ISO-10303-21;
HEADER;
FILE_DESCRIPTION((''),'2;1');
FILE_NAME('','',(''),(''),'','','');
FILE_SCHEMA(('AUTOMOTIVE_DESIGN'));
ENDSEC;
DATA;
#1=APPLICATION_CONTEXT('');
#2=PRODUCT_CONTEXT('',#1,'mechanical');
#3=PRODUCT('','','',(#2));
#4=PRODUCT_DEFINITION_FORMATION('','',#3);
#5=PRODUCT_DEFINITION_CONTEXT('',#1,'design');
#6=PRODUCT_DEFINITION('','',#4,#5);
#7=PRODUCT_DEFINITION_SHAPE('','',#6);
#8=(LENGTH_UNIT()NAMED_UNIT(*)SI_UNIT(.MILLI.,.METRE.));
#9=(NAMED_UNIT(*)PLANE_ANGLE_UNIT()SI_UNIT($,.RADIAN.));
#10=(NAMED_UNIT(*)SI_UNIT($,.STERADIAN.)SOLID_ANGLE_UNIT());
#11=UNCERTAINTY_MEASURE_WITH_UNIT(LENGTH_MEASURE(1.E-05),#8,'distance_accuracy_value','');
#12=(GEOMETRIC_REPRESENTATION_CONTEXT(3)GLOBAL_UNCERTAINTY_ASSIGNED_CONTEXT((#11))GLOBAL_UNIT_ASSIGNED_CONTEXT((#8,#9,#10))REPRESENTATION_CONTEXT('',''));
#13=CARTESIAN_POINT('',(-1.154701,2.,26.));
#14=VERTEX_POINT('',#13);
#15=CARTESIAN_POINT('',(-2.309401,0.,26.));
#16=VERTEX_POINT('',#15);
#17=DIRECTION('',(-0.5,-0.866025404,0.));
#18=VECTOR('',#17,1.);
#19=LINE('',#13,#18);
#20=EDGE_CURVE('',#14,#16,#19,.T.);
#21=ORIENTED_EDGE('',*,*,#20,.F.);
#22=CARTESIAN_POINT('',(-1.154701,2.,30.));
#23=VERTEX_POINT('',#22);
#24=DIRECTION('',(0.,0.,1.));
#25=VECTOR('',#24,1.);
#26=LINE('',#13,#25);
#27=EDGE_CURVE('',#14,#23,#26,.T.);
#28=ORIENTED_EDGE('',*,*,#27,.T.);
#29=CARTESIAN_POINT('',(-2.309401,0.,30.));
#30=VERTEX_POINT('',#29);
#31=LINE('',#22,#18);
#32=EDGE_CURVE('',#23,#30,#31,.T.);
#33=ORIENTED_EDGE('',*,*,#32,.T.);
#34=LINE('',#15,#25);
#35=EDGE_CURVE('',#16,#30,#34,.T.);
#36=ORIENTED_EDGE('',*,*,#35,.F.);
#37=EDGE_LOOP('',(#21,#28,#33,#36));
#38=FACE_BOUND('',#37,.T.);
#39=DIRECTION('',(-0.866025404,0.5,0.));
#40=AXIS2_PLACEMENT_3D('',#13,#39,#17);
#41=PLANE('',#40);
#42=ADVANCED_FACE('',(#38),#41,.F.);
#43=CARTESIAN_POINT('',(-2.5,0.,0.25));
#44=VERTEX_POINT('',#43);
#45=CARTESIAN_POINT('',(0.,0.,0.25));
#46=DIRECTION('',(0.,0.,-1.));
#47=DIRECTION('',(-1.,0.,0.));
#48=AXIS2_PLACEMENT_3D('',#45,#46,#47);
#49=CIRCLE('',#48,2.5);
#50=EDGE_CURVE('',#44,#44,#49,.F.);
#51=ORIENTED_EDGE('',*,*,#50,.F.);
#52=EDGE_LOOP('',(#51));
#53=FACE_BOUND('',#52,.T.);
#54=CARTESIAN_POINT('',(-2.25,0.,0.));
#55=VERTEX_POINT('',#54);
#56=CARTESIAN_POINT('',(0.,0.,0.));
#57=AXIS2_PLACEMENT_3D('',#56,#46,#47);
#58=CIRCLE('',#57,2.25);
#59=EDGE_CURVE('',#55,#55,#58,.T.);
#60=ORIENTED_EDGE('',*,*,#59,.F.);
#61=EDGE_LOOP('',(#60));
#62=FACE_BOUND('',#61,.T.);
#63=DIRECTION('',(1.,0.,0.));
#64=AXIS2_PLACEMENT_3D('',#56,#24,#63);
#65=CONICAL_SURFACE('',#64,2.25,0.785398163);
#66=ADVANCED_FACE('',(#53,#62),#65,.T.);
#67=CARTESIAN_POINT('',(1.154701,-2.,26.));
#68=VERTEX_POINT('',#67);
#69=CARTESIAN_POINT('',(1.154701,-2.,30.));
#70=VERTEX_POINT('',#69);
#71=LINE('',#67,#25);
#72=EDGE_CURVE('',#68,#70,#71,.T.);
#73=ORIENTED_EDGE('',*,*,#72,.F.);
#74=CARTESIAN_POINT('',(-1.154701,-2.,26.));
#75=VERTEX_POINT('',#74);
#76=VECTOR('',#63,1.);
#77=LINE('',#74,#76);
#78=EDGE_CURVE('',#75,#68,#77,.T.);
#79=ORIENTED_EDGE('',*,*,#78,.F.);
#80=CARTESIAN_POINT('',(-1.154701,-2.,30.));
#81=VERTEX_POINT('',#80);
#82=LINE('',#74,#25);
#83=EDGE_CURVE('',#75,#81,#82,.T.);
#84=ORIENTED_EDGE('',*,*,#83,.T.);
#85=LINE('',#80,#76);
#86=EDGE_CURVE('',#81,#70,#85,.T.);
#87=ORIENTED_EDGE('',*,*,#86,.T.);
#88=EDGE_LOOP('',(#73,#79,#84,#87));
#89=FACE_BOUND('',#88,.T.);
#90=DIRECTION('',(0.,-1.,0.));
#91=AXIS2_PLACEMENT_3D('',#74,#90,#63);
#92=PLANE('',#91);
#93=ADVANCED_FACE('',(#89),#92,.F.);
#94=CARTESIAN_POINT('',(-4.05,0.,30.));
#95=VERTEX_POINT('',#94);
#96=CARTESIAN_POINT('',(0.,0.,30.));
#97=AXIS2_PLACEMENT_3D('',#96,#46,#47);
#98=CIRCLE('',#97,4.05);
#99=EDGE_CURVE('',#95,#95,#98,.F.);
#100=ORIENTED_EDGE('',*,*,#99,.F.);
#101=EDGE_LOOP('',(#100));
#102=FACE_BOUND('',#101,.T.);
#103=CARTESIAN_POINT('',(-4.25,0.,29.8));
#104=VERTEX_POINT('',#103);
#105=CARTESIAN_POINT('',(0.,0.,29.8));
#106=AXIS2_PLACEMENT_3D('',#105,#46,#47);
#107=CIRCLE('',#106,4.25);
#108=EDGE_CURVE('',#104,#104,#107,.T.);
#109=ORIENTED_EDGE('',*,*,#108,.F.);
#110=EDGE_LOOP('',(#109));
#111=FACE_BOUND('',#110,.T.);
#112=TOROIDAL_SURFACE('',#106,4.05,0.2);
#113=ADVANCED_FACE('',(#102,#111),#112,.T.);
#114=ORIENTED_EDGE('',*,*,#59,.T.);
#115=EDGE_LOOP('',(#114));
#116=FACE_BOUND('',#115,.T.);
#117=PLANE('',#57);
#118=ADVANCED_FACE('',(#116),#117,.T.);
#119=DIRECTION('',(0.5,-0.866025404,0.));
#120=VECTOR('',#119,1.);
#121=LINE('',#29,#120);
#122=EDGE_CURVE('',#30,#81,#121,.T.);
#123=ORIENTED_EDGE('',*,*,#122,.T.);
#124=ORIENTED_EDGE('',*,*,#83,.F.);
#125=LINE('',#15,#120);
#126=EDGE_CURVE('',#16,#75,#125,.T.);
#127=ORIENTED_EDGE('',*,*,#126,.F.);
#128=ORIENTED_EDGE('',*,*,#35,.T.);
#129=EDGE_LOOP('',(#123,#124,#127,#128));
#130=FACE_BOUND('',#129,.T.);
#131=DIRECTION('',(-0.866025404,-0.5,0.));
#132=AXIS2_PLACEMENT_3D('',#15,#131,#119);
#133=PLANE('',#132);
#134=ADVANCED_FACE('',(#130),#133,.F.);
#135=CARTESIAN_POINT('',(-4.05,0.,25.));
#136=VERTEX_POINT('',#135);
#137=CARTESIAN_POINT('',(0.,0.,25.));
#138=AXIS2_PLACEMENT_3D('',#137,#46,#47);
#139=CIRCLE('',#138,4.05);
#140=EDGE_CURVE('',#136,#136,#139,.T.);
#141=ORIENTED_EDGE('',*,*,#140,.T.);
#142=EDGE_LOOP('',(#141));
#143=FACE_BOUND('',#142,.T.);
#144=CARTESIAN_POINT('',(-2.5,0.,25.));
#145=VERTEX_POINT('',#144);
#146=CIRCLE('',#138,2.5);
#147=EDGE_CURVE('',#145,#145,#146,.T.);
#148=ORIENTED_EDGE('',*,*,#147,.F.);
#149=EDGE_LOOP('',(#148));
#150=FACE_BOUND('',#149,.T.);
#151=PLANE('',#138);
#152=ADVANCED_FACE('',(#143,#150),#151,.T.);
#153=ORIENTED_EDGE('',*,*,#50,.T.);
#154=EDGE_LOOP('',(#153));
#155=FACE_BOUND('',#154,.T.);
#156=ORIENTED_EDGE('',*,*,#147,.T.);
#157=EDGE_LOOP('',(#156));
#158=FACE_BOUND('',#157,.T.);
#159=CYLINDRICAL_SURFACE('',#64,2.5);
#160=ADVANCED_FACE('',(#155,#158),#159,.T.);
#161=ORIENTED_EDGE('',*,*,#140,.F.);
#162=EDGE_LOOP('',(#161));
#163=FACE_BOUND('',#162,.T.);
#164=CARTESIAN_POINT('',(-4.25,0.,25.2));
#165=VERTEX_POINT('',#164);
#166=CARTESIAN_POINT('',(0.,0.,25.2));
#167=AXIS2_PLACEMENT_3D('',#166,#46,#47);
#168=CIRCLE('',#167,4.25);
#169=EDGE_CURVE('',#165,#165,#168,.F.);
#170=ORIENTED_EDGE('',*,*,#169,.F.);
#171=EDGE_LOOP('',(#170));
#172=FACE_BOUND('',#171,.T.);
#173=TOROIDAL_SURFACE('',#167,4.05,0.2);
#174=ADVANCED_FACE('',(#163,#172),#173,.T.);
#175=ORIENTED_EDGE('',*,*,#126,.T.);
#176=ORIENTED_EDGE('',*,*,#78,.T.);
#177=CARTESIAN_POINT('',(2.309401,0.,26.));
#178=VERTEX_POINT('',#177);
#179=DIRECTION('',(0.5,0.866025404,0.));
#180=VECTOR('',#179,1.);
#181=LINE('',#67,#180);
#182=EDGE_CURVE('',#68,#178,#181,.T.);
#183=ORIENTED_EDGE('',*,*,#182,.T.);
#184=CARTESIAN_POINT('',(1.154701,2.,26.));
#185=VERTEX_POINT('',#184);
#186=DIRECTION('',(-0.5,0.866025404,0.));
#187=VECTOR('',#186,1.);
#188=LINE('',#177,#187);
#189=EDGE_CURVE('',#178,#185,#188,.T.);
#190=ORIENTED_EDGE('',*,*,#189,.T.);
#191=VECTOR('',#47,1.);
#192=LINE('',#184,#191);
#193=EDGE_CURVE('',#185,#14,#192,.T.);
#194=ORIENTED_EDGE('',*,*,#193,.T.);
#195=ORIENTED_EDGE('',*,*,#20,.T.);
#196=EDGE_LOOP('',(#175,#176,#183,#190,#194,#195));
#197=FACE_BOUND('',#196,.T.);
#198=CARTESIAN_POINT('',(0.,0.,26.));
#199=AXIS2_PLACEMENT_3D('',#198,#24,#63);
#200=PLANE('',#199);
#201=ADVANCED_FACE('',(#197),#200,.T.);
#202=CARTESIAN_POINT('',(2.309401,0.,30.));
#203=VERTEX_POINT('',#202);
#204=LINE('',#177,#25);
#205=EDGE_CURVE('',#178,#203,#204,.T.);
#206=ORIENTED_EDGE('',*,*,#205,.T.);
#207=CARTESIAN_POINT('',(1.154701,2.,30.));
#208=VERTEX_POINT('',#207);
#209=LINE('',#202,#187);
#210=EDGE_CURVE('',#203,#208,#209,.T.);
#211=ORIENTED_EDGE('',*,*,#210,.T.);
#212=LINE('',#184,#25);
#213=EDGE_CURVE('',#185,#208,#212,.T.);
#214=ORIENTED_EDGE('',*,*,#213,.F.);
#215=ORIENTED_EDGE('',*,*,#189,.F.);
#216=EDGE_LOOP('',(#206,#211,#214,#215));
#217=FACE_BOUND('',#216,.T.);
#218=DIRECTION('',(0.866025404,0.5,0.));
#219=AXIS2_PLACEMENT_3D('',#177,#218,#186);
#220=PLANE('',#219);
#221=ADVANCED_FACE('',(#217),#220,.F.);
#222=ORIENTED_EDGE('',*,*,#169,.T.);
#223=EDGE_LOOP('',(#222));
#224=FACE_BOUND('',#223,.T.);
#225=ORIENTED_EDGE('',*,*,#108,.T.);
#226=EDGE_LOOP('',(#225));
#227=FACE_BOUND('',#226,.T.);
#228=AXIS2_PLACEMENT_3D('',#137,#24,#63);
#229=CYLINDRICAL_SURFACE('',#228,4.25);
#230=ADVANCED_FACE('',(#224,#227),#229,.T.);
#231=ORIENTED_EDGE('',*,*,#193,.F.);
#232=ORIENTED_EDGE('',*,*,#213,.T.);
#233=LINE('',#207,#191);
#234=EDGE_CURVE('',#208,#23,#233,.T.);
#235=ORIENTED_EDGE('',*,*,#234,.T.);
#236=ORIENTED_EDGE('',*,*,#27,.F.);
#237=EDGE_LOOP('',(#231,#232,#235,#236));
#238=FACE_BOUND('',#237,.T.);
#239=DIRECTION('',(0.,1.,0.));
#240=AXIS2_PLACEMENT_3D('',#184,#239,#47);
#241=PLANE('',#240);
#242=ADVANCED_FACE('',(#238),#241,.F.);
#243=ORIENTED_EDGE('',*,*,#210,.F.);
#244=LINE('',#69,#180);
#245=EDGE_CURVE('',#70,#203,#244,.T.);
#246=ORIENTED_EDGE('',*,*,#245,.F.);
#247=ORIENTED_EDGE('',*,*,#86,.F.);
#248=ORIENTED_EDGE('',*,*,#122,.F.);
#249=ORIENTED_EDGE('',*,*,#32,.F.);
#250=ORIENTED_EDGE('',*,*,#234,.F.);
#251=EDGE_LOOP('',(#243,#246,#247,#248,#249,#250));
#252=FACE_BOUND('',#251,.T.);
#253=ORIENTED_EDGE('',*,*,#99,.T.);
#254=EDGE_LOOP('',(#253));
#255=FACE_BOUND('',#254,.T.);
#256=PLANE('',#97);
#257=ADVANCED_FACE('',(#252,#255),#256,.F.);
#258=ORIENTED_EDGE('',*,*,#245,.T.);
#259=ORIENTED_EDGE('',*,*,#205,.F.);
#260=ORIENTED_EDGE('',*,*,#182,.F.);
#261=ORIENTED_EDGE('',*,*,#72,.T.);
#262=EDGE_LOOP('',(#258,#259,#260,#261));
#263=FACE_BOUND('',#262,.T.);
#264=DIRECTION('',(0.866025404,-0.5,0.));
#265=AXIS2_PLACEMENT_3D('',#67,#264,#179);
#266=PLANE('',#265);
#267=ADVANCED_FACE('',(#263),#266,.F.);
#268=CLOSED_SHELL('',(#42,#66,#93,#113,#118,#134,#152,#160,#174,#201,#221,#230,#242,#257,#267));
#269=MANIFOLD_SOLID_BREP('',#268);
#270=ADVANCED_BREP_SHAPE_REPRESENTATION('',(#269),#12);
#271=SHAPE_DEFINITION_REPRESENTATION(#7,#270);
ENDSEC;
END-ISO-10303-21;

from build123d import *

# Parameters (mm, degrees)
SKETCH1_R           = 4.25
BOSS_EXTRUDE1_DEPTH = 5
SKETCH2_R           = 2.5
BOSS_EXTRUDE2_DEPTH = 25
CUT_EXTRUDE1_DEPTH  = 4
CHAMFER1_SIZE       = 0.25
FILLET1_R           = 0.2


with BuildPart() as part:
    # Sketch1 → Boss-Extrude1 (new body)
    with BuildSketch(Plane.XY.offset(30)):
        Circle(SKETCH1_R)
    extrude(amount=-BOSS_EXTRUDE1_DEPTH)

    # Sketch2 → Boss-Extrude2 (add)
    with BuildSketch(Plane(origin=(0, 0, 25), x_dir=(-1, 0, 0), z_dir=(0, 0, -1))):
        Circle(SKETCH2_R)
    extrude(amount=BOSS_EXTRUDE2_DEPTH)

    # Sketch3 → Cut-Extrude1 (cut)
    with BuildSketch(Plane.XY.offset(30)):
        Polygon((-2.309401077, 0), (-1.154700538, -2), (1.154700538, -2), (2.309401077, 0), (1.154700538, 2), (-1.154700538, 2), align=None)
    extrude(amount=-CUT_EXTRUDE1_DEPTH, mode=Mode.SUBTRACT)

    # Chamfer1
    chamfer1_edges = [part.edges().sort_by_distance(p)[0] for p in [
        (2.5, 0, 0),
    ]]
    chamfer(chamfer1_edges, length=CHAMFER1_SIZE)

    # Fillet1
    fillet1_edges = [part.edges().sort_by_distance(p)[0] for p in [
        (-4.25, 0, 25),
        (-4.25, 0, 30),
    ]]
    fillet(fillet1_edges, radius=FILLET1_R)


solid = part.part
